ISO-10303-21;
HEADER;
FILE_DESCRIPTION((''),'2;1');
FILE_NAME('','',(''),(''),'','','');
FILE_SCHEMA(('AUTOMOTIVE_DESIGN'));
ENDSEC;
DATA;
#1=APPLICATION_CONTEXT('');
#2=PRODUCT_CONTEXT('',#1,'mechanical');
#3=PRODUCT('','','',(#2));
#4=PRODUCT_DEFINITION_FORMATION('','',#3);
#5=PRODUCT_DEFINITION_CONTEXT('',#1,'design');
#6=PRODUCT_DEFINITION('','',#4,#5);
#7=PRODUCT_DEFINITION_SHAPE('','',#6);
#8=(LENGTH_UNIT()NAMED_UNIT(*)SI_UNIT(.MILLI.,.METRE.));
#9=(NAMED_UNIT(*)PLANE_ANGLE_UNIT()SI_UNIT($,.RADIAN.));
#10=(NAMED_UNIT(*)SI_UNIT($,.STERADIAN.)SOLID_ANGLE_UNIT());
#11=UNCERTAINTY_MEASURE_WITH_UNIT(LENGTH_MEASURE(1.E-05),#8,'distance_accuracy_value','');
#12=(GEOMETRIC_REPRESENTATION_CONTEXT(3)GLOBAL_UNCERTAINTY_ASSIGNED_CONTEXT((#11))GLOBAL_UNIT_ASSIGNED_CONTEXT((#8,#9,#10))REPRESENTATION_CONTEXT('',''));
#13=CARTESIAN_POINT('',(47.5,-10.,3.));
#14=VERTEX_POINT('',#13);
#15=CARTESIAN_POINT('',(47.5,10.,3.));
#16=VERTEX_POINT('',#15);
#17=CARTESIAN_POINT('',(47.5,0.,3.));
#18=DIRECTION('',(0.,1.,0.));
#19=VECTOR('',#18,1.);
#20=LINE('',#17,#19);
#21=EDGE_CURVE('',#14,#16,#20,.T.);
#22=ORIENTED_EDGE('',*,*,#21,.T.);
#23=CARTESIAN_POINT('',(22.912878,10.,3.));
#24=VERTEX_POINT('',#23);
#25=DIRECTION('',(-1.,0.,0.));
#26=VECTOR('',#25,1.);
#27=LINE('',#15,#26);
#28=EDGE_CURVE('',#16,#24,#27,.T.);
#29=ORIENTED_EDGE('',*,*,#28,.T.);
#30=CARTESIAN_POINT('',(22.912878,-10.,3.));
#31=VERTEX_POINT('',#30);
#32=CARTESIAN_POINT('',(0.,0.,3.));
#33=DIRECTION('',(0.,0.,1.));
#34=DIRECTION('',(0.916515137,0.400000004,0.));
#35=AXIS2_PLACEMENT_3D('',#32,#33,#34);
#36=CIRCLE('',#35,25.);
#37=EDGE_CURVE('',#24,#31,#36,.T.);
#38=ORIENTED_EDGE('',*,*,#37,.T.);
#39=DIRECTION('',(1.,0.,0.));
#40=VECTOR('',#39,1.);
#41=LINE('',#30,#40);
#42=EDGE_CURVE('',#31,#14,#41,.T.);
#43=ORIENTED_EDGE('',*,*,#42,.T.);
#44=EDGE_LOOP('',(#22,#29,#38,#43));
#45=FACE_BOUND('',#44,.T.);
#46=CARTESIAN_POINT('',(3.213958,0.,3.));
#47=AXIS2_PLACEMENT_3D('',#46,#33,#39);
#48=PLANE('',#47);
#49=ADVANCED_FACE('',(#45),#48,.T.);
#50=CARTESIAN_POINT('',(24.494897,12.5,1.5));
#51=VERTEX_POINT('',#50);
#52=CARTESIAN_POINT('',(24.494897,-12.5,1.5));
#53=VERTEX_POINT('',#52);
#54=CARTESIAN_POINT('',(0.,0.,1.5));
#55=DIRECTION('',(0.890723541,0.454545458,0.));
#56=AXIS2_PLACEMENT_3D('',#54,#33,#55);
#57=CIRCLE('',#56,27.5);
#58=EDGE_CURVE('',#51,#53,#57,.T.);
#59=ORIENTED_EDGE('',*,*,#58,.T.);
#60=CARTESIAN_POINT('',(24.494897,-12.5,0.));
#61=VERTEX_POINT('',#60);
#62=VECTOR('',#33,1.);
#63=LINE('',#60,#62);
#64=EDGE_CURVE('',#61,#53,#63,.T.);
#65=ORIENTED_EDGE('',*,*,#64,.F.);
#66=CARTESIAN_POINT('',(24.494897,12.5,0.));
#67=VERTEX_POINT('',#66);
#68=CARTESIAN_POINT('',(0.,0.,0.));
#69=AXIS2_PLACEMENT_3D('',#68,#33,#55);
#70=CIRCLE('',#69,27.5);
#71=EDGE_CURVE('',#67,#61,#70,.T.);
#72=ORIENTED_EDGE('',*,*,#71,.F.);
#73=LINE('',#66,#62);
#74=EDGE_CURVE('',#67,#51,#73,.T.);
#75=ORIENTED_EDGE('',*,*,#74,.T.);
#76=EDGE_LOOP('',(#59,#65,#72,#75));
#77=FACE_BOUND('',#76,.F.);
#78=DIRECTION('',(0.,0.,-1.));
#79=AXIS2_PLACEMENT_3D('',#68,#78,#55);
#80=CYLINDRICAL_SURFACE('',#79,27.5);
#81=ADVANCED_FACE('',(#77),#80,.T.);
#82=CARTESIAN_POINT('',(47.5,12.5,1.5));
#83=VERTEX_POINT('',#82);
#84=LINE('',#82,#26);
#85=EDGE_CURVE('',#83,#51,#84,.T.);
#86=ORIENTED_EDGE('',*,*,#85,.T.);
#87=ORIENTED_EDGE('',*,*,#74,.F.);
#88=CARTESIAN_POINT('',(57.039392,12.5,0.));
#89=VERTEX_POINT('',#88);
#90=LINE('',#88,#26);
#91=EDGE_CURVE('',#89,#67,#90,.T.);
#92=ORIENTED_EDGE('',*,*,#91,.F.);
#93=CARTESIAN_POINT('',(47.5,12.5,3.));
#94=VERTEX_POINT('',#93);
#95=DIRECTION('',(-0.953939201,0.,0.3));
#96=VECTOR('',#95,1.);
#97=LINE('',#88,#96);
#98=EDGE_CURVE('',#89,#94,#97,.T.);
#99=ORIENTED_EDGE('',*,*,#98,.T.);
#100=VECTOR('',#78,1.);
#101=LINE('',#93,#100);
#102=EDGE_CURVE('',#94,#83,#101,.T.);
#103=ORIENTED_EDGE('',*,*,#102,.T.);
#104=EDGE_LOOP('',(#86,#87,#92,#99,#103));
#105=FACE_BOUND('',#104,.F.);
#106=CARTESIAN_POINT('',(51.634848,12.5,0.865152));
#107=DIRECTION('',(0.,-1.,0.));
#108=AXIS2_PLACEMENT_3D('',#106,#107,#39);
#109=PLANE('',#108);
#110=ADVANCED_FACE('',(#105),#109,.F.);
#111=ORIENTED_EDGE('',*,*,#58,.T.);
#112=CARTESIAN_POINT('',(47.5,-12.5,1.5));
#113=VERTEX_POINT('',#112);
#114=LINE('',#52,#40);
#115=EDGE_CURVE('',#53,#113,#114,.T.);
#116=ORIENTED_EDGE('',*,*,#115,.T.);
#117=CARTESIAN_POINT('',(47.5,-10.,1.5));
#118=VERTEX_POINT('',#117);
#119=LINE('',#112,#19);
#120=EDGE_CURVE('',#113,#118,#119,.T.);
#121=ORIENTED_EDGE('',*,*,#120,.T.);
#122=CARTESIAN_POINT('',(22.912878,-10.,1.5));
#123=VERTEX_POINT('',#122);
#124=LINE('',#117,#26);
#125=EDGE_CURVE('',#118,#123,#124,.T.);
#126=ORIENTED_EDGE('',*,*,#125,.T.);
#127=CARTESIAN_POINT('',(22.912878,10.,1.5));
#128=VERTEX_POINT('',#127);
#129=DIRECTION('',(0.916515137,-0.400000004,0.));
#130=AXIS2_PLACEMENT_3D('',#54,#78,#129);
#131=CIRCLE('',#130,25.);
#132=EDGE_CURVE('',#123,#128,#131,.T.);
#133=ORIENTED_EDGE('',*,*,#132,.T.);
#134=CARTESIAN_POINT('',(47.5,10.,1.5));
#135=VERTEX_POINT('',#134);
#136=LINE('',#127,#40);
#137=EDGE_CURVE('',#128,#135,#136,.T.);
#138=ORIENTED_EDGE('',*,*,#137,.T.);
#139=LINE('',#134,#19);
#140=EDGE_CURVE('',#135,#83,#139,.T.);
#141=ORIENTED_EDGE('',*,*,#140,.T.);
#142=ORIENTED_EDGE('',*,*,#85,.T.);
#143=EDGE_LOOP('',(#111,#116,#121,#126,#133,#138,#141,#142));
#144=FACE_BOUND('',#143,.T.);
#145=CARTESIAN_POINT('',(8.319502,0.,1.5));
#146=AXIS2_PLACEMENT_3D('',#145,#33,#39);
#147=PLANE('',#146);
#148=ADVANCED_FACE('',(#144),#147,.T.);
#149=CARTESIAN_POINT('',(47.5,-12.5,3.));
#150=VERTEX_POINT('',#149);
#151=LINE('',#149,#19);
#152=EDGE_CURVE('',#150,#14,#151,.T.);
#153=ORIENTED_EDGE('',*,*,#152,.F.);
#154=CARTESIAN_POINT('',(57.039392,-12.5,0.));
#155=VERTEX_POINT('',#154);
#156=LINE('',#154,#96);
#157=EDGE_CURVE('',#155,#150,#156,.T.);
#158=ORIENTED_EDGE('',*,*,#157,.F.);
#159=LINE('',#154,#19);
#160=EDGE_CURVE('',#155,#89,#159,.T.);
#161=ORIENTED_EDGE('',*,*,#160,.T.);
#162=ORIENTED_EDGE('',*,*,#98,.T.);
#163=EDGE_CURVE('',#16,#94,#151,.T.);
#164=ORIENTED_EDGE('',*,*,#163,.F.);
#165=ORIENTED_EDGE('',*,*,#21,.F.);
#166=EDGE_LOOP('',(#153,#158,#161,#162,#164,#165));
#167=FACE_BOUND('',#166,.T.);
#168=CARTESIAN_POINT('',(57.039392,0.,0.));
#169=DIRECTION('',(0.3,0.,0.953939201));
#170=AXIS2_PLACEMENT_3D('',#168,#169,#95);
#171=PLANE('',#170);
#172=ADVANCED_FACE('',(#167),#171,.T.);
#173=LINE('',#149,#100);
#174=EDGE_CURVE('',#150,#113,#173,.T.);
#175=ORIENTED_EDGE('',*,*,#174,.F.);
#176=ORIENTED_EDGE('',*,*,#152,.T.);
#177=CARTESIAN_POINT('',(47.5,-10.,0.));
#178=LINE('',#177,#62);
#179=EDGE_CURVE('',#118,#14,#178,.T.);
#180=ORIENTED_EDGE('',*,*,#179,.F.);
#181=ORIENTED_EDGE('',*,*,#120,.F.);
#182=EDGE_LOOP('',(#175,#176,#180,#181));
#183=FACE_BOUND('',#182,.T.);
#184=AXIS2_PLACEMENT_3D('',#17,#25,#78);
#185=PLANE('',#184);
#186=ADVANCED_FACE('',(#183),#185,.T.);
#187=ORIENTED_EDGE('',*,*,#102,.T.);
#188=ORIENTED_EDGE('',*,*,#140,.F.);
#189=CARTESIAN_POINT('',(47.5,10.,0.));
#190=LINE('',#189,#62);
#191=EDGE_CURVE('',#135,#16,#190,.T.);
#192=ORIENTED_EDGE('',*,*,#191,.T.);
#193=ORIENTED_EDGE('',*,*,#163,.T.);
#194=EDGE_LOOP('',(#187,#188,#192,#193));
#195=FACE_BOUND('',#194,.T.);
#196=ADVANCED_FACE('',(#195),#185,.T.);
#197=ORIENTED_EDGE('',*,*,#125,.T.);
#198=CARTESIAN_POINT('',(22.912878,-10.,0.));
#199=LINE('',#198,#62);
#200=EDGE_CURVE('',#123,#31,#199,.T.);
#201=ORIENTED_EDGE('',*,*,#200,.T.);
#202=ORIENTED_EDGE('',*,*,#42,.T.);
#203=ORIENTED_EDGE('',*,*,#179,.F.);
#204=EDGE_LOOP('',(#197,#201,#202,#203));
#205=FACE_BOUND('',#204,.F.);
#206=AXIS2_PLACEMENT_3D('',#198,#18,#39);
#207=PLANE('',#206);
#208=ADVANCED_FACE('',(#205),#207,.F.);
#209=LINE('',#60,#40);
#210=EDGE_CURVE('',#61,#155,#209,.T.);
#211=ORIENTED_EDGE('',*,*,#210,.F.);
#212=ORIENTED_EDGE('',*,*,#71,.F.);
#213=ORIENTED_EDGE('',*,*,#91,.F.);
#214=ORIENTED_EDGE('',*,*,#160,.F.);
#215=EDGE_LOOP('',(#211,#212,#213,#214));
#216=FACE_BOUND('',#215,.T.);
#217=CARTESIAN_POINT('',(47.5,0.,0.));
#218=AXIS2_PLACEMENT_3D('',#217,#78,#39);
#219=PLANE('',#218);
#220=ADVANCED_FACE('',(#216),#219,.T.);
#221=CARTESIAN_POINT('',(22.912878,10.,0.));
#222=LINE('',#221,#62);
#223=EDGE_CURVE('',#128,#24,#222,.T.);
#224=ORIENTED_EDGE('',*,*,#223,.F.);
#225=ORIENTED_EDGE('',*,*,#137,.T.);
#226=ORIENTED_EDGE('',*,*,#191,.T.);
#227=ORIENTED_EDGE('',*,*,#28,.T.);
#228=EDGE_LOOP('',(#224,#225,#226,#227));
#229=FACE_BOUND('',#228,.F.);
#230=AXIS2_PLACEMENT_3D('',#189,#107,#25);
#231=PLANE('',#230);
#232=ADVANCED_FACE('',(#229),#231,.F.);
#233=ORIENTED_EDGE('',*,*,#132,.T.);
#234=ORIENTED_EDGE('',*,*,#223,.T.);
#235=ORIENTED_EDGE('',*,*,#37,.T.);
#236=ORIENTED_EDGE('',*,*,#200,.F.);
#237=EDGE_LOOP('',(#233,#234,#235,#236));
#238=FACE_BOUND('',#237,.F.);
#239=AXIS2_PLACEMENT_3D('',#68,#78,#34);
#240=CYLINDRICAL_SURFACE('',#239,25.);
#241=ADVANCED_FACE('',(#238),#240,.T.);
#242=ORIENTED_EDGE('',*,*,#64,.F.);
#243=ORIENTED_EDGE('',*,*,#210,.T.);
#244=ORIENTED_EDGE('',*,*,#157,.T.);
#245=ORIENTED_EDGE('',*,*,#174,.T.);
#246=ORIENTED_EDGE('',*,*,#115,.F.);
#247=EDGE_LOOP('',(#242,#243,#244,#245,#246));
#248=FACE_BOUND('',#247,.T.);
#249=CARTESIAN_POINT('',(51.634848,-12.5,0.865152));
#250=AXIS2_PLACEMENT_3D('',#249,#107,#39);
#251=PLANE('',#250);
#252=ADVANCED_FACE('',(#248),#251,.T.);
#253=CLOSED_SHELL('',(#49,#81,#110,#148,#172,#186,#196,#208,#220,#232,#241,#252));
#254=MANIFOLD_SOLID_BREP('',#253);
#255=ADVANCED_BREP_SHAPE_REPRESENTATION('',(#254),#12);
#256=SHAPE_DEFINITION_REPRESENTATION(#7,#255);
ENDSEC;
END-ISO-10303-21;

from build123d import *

# Parameters (mm, degrees)
F1_DEPTH = 1.5
F0_W     = 20
F0_H     = 20
F2_DEPTH = 3
F4_DEPTH = 12.5


with BuildPart() as f1:
    # F0 (on Top) → F1 (new body)
    with BuildSketch(Plane.XY):
        with BuildLine():
            Line((22.912878, 10), (27.5, 10))
            Line((27.5, 10), (47.5, 10))
            Line((47.5, 10), (47.5, 12.5))
            Line((47.5, 12.5), (27.5, 12.5))
            Line((27.5, 12.5), (24.494897, 12.5))
            ThreePointArc((24.494897, 12.5), (-27.5, 0), (24.494897, -12.5))
            Line((24.494897, -12.5), (27.5, -12.5))
            Line((27.5, -12.5), (47.5, -12.5))
            Line((47.5, -12.5), (47.5, -10))
            Line((47.5, -10), (27.5, -10))
            Line((27.5, -10), (22.912878, -10))
            ThreePointArc((22.912878, -10), (-25, 0), (22.912878, 10))
        make_face()
    extrude(amount=F1_DEPTH)

    # F0 (on Top) → F2 (join)
    with BuildSketch(Plane.XY):
        with BuildLine():
            Line((27.5, -10), (27.5, 10))
            Line((27.5, 10), (22.912878, 10))
            ThreePointArc((22.912878, 10), (-25, 0), (22.912878, -10))
            Line((22.912878, -10), (27.5, -10))
        make_face()
        with Locations((37.5, 0)):
            Rectangle(F0_W, F0_H)
    extrude(amount=F2_DEPTH)

    # F3 (on Front) → F4 (join, symmetric)
    with BuildSketch(Plane.XZ):
        Polygon((47.5, 3), (47.5, 0), (57.039392, 0), align=None)
    extrude(amount=F4_DEPTH, both=True)


solid = f1.part
